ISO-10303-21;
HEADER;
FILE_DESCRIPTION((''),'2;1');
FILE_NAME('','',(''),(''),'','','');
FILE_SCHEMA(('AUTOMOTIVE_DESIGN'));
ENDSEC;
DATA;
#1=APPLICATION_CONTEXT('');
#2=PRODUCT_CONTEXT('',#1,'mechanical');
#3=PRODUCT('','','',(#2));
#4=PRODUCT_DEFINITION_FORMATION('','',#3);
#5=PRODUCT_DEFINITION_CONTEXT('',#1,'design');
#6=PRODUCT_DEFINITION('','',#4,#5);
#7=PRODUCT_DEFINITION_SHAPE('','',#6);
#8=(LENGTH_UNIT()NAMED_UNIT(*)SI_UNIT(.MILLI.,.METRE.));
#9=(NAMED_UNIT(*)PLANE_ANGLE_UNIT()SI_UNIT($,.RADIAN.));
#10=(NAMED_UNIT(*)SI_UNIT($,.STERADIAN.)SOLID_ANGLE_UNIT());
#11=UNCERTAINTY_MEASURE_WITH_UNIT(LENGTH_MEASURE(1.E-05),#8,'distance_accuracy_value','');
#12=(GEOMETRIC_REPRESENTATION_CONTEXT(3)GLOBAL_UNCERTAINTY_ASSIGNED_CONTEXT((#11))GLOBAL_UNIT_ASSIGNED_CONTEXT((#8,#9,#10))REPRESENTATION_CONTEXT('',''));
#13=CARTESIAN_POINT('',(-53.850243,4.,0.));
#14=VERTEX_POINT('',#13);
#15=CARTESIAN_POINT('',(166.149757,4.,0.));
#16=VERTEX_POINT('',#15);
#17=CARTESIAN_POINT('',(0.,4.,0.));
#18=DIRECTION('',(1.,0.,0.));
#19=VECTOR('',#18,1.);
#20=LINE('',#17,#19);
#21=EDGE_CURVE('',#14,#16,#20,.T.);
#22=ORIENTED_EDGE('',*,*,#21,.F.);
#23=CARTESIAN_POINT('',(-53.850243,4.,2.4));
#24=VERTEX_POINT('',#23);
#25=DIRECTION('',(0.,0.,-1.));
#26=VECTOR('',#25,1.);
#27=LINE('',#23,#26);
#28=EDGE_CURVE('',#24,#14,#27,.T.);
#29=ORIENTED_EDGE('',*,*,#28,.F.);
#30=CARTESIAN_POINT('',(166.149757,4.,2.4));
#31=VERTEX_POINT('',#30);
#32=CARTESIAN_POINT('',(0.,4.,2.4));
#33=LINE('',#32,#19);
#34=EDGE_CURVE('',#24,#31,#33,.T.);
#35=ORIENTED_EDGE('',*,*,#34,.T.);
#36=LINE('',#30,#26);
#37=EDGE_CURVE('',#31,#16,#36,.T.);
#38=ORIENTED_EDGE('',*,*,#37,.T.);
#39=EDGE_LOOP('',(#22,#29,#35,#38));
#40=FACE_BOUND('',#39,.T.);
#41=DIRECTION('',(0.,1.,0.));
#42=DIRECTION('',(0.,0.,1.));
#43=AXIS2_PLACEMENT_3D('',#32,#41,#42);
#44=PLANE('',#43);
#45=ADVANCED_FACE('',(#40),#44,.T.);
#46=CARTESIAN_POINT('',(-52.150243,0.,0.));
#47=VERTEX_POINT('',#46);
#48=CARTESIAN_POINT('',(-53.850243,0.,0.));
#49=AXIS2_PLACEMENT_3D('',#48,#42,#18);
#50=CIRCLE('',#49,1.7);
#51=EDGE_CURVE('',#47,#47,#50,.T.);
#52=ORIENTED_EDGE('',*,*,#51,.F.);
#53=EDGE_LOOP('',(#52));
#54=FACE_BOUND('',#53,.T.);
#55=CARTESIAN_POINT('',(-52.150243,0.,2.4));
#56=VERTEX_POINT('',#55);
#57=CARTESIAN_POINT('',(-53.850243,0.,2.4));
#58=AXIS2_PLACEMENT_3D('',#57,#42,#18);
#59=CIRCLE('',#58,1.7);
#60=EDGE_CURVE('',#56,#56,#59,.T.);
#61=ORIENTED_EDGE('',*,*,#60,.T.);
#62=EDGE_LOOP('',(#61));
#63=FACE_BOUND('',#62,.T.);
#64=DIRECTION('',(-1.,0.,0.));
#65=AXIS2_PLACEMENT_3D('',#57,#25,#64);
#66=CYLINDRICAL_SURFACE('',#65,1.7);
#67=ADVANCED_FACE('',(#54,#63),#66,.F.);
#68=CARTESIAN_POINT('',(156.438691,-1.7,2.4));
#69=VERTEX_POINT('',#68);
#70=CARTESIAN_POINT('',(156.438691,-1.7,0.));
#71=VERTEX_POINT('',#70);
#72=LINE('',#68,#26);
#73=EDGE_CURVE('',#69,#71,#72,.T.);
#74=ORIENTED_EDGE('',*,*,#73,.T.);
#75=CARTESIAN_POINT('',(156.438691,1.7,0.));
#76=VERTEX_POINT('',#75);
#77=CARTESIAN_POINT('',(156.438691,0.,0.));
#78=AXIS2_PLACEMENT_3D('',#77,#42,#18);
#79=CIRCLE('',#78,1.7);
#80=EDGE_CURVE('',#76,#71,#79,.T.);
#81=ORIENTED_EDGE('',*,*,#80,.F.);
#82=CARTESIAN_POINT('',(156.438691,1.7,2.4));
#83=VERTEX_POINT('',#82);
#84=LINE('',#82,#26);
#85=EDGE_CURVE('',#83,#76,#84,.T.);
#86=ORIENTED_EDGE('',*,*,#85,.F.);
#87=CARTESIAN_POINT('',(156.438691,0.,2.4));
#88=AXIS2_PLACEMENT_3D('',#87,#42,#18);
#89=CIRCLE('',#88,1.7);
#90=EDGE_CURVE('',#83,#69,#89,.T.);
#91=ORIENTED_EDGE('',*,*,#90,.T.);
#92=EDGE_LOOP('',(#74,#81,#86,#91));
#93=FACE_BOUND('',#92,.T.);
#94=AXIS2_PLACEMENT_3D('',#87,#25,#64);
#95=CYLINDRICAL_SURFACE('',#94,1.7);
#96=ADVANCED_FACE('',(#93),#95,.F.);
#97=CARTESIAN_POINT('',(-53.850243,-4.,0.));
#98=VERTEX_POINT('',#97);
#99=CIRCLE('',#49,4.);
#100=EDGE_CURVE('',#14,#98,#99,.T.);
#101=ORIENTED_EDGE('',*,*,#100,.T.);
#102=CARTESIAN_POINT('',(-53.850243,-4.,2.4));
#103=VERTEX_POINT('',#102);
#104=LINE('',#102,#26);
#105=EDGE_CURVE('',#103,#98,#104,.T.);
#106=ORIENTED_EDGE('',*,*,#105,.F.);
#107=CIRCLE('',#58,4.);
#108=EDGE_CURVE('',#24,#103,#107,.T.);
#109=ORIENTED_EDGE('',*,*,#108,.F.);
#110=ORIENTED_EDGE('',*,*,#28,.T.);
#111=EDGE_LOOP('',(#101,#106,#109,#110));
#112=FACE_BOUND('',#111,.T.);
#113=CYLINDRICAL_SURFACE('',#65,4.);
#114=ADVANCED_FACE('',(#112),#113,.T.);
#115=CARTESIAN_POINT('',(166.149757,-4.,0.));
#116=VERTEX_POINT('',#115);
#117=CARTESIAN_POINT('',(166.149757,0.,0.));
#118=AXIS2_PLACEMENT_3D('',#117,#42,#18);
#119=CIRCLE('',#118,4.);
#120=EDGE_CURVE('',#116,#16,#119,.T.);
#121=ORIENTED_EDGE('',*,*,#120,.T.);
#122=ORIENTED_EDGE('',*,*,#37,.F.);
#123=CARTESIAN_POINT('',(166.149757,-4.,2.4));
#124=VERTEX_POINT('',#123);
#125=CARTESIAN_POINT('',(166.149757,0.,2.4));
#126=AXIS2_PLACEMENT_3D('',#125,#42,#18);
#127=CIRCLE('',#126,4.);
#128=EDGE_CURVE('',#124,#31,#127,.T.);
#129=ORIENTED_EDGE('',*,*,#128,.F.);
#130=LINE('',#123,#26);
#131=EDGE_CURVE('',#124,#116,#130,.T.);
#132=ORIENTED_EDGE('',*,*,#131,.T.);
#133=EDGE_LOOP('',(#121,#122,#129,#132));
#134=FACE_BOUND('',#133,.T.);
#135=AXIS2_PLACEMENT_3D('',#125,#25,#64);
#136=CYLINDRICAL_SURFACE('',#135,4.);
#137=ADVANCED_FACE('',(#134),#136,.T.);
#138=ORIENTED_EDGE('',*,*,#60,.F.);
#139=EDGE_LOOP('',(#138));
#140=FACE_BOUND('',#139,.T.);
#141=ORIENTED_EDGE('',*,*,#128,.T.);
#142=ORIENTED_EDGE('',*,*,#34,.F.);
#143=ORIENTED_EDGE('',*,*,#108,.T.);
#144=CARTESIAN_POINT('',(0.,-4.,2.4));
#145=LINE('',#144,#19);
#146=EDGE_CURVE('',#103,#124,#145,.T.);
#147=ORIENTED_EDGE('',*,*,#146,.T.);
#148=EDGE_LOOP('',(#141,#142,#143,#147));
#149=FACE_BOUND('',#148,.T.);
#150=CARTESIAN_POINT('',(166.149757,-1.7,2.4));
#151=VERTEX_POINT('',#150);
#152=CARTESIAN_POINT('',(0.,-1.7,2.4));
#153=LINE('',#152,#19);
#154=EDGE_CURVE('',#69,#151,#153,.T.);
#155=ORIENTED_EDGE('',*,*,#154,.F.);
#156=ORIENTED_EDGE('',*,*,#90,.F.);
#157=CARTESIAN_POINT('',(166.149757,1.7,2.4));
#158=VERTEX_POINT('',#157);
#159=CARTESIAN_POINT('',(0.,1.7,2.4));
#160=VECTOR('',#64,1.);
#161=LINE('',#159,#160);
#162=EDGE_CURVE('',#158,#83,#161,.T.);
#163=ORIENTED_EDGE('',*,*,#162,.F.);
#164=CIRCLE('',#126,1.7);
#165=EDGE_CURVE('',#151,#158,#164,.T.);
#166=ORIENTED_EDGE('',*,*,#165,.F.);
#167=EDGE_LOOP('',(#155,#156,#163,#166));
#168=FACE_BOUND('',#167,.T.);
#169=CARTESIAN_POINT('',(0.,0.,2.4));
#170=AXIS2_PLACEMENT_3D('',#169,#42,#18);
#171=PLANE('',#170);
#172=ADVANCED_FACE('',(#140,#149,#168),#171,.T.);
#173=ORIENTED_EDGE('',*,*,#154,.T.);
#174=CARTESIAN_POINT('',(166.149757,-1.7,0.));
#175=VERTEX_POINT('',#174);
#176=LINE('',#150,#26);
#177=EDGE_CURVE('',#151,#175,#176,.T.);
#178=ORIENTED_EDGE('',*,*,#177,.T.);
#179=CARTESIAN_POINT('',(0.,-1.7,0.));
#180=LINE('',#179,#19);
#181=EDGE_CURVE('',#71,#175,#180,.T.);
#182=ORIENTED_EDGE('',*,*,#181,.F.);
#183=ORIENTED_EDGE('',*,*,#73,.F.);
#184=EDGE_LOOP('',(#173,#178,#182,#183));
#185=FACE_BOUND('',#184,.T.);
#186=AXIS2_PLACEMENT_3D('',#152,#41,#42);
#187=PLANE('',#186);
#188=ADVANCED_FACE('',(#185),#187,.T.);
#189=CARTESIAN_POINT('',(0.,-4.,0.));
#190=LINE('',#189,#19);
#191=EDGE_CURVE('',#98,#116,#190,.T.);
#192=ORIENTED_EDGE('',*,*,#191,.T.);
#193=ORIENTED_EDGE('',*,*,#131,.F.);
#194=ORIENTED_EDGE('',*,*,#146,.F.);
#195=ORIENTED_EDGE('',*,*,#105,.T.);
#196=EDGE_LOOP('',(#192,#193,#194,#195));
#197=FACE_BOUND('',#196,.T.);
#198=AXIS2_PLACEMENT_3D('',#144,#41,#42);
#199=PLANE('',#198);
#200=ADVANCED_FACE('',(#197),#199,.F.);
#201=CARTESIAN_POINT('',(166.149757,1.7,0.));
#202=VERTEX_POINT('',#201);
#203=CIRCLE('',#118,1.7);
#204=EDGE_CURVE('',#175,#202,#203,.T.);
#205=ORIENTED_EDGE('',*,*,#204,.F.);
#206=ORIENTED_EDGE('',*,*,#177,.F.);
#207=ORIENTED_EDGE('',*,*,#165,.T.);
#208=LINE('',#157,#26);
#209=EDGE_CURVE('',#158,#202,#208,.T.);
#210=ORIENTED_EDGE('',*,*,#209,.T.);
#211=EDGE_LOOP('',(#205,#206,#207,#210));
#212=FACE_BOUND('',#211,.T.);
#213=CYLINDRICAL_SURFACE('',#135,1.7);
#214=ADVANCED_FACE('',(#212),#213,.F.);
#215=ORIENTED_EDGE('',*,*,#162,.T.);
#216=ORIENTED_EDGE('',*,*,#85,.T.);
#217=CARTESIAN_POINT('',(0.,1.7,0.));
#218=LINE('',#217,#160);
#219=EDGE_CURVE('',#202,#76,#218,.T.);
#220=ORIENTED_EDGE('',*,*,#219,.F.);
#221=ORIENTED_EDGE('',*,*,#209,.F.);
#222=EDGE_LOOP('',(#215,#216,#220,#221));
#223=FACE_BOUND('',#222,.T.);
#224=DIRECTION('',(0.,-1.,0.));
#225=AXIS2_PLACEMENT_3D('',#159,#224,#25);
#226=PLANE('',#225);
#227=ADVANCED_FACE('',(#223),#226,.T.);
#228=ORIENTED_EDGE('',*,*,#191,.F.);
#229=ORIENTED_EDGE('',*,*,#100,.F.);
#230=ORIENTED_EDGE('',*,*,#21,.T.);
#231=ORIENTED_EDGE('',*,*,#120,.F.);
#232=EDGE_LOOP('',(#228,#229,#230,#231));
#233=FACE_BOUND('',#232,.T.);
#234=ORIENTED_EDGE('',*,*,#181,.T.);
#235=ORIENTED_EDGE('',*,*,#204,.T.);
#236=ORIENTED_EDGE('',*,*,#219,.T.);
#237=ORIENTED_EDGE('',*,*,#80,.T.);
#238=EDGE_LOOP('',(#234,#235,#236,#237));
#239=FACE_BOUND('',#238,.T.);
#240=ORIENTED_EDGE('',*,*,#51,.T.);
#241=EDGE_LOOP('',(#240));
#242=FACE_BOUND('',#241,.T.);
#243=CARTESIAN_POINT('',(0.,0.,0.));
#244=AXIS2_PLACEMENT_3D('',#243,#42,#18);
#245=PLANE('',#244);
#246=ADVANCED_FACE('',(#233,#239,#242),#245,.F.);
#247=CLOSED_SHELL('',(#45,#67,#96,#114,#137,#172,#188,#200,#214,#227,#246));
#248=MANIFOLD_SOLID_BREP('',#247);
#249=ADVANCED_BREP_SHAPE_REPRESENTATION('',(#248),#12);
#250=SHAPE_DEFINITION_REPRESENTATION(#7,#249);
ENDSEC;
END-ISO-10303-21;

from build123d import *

# Parameters (mm, degrees)
SKETCH_1_R      = 1.7
EXTRUDE_1_DEPTH = 2.4


with BuildPart() as part:
    # 草图1 → 凸台-拉伸1 (new body)
    with BuildSketch(Plane.XY):
        with BuildLine():
            Line((-53.850242828, -4), (166.149757172, -4))
            ThreePointArc((166.149757172, -4), (170.149757172, 0), (166.149757172, 4))
            Line((166.149757172, 4), (-53.850242828, 4))
            ThreePointArc((-53.850242828, 4), (-57.850242828, 0), (-53.850242828, -4))
        make_face()
        with Locations((-53.850242828, 0)):
            Circle(SKETCH_1_R, mode=Mode.SUBTRACT)
        with BuildLine():
            ThreePointArc((156.438691487, 1.7), (154.738691487, 0), (156.438691487, -1.7))
            Line((156.438691487, -1.7), (166.149757172, -1.7))
            ThreePointArc((166.149757172, -1.7), (167.849757172, 0), (166.149757172, 1.7))
            Line((166.149757172, 1.7), (156.438691487, 1.7))
        make_face(mode=Mode.SUBTRACT)
    extrude(amount=EXTRUDE_1_DEPTH)


solid = part.part
